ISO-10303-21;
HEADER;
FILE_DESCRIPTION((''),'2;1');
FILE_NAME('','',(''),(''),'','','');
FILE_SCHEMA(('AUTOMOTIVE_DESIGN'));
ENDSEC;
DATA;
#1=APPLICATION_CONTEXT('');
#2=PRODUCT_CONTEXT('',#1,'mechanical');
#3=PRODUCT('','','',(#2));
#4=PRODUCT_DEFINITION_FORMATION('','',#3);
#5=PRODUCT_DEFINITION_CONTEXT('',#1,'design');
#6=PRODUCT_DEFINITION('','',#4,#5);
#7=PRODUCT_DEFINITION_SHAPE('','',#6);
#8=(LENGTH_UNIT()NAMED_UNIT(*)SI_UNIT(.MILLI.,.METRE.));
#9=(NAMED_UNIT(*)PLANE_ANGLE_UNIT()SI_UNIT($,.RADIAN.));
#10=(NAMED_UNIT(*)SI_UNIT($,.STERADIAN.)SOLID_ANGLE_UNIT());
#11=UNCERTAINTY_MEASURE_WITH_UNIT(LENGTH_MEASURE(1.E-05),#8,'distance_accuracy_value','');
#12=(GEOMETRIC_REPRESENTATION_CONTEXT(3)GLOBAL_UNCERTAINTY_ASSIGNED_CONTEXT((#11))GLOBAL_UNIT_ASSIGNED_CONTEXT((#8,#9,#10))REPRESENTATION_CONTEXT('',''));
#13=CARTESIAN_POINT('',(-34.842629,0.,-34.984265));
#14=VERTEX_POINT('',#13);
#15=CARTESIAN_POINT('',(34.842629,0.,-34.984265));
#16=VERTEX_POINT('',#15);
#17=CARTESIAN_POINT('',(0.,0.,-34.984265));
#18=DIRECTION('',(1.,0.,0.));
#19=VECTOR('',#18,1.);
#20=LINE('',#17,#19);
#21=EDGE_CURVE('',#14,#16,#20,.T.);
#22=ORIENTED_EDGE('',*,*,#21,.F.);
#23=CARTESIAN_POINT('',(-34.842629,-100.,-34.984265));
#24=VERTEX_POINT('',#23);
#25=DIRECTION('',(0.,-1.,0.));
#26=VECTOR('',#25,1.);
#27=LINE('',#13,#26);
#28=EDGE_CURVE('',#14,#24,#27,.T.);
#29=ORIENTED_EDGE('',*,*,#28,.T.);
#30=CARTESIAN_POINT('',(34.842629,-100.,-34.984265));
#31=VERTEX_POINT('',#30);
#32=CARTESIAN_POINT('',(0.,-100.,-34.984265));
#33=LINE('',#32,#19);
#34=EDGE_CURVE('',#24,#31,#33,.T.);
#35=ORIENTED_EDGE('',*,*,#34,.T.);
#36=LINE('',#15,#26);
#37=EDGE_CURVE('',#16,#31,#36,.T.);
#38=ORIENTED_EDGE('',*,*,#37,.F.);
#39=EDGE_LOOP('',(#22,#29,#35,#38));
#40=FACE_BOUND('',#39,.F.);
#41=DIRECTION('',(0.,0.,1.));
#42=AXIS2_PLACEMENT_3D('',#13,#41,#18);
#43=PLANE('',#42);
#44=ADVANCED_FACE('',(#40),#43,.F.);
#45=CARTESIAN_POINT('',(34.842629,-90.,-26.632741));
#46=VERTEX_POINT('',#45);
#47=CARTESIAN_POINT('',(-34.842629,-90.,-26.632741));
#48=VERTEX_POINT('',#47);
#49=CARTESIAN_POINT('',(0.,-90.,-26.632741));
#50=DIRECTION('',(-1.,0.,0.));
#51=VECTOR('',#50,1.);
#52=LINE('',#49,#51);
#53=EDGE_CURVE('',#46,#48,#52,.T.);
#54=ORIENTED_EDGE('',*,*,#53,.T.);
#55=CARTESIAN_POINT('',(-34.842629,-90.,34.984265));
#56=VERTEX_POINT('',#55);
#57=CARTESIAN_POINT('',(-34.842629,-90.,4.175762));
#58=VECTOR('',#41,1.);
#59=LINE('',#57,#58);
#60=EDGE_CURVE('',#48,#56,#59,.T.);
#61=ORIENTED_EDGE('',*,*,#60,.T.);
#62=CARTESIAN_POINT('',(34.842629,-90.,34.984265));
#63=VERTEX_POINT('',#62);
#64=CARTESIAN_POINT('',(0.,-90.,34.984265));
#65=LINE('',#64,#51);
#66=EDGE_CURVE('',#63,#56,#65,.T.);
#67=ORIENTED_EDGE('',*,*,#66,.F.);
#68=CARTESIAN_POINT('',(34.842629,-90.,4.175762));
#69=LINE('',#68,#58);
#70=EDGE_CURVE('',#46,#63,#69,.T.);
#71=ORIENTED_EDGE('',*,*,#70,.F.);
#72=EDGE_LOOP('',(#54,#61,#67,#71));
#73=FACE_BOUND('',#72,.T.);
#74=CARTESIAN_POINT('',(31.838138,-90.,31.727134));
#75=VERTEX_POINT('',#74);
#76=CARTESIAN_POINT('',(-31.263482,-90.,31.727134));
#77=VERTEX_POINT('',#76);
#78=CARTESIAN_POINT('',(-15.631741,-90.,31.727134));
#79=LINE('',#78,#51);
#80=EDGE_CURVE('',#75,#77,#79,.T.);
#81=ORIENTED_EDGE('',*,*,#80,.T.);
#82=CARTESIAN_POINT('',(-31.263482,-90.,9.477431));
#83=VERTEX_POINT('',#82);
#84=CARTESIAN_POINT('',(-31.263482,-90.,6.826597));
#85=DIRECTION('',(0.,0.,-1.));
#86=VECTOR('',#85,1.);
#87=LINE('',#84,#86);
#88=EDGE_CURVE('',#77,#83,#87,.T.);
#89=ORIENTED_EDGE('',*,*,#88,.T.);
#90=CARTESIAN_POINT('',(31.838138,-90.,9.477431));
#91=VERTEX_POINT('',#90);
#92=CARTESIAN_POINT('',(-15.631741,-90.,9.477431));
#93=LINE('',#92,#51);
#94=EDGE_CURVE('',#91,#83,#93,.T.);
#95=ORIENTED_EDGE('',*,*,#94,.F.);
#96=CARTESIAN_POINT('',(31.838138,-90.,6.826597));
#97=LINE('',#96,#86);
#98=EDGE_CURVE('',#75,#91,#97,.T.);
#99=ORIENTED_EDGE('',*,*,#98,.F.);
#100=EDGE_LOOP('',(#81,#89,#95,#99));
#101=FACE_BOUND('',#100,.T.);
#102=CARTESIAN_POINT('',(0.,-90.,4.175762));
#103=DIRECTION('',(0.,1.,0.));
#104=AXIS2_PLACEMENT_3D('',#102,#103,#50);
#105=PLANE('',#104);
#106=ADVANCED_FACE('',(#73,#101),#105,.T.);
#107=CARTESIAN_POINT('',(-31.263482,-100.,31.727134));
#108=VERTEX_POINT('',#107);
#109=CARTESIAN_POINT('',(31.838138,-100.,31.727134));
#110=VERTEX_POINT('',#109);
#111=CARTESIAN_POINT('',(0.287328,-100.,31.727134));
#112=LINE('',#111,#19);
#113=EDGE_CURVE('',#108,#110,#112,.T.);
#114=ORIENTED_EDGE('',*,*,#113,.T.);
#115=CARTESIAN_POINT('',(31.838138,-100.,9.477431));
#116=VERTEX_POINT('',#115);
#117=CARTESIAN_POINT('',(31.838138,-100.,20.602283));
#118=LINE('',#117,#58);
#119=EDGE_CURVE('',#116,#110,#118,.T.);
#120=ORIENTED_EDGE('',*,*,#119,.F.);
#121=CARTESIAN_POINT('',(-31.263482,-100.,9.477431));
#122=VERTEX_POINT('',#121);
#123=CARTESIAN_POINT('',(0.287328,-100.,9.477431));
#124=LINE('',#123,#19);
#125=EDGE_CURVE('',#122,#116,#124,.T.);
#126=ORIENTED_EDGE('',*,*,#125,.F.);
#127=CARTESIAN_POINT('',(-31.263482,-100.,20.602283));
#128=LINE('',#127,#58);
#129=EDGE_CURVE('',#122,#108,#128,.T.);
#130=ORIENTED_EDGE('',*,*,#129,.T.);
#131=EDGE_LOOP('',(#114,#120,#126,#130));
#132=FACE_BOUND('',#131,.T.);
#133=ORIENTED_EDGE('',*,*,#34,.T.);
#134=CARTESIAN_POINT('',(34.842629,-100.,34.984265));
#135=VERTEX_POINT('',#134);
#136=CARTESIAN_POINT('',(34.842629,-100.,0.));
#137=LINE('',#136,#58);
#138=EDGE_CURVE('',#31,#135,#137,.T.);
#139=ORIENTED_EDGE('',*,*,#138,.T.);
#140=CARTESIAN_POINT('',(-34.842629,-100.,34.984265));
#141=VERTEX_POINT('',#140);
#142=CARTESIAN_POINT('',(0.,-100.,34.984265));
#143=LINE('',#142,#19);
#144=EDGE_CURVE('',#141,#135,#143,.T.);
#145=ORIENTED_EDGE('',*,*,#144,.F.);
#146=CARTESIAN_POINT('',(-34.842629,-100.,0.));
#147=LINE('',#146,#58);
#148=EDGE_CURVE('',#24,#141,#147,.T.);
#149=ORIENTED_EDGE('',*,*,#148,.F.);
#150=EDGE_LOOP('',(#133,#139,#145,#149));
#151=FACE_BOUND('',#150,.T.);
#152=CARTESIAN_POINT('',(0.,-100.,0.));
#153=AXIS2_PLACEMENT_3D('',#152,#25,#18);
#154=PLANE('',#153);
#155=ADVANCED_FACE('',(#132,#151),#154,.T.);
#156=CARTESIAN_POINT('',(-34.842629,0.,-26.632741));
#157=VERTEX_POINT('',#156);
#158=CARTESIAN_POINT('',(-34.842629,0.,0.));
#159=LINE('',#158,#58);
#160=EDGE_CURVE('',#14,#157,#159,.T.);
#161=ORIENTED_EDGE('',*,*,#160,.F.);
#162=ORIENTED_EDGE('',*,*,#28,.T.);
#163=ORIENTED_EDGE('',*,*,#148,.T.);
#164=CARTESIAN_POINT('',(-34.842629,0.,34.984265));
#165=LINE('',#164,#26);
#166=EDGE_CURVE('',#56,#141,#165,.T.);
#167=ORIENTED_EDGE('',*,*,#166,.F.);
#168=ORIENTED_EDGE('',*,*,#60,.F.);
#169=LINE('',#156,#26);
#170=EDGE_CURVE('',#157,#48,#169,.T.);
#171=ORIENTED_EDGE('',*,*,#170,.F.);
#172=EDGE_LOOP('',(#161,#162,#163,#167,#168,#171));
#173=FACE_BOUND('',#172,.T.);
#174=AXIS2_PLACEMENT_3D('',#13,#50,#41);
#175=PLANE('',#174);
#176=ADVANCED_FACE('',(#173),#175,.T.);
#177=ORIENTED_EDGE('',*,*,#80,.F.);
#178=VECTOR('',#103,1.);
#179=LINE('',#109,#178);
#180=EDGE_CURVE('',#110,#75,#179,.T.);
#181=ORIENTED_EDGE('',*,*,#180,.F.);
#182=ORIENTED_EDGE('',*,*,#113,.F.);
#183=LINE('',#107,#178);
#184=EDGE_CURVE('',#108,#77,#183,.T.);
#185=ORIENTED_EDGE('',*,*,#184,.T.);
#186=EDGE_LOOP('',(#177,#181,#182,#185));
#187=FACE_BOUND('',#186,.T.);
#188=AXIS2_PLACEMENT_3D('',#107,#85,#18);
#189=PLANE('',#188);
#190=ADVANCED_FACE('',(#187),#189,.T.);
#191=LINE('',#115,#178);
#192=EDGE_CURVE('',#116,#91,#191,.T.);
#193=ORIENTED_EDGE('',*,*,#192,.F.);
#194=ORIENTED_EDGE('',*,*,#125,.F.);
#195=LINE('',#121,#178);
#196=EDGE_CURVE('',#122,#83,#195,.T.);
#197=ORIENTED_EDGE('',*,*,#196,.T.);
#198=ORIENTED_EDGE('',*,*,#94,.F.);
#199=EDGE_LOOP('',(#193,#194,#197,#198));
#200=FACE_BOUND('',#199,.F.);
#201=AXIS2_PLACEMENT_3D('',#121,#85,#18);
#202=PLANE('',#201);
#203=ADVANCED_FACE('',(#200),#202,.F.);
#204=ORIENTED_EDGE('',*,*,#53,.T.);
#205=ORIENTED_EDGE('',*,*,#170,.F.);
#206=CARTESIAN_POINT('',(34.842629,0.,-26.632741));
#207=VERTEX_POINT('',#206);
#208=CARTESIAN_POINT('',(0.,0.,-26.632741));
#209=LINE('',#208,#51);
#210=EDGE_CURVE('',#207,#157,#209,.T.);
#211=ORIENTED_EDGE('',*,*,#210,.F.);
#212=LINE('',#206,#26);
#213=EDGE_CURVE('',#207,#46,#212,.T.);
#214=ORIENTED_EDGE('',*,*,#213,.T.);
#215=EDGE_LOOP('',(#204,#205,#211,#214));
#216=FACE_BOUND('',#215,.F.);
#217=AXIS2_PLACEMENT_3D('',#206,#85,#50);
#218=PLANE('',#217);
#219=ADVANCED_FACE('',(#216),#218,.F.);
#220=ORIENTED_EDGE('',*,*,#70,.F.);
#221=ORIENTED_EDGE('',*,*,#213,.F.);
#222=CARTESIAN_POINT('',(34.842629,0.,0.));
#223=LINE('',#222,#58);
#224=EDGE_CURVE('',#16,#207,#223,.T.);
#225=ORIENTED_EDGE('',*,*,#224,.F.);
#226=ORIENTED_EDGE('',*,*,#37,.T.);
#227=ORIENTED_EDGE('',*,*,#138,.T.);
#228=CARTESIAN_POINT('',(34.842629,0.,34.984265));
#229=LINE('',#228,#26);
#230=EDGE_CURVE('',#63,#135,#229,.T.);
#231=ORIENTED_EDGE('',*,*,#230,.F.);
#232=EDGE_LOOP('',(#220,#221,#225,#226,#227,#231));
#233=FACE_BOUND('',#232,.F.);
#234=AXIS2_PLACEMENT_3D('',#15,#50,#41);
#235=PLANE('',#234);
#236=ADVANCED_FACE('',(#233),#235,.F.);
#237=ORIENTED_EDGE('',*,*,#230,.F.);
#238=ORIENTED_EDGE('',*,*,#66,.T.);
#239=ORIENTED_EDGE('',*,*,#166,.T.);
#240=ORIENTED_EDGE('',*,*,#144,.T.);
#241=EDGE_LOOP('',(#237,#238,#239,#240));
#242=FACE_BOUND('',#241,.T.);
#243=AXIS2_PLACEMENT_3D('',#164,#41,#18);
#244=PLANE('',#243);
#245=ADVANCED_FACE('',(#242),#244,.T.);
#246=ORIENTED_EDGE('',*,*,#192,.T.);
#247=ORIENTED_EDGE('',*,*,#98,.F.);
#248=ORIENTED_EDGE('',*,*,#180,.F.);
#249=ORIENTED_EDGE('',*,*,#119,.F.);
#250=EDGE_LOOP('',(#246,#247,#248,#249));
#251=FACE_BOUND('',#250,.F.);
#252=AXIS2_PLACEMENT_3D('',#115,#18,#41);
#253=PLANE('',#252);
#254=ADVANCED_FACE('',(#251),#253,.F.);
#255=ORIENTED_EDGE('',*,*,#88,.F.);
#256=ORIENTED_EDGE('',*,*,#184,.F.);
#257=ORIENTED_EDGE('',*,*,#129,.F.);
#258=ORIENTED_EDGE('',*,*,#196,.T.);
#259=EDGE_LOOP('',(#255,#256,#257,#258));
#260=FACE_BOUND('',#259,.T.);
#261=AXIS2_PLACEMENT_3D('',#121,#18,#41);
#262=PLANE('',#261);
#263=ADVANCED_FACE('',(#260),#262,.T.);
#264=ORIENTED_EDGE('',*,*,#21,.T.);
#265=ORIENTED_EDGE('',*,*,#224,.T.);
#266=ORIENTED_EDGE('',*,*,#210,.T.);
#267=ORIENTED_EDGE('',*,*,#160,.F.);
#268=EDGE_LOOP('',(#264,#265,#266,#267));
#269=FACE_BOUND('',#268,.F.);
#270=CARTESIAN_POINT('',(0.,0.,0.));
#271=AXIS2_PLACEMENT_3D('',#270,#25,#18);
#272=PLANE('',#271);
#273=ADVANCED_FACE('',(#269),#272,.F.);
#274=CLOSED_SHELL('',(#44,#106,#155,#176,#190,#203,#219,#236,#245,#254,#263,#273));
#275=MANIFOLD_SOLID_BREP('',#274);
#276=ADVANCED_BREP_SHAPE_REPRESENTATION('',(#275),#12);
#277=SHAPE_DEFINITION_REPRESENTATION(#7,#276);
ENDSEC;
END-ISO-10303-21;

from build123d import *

# Parameters (mm, degrees)
F0_W     = 69.685258
F0_H     = 69.96853
F1_DEPTH = 100
F2_W     = 69.685258
F2_H     = 61.617006
F3_DEPTH = 90
F4_W     = 63.10162
F4_H     = 22.249703
F5_DEPTH = 25


with BuildPart() as f1:
    # F0 (on Front) → F1 (new body)
    with BuildSketch(Plane.XZ):
        Rectangle(F0_W, F0_H)
    extrude(amount=F1_DEPTH)

    # F2 (on face) → F3 (cut)
    with BuildSketch(Plane(origin=(0, 0, 0), x_dir=(-1, 0, 0), z_dir=(0, 1, 0))):
        with Locations((0, 4.175762)):
            Rectangle(F2_W, F2_H)
    extrude(amount=-F3_DEPTH, mode=Mode.SUBTRACT)

    # F4 (on face) → F5 (cut)
    with BuildSketch(Plane.XZ.offset(100)):
        with Locations((0.287328, 20.602283)):
            Rectangle(F4_W, F4_H)
    extrude(amount=-F5_DEPTH, mode=Mode.SUBTRACT)


solid = f1.part
